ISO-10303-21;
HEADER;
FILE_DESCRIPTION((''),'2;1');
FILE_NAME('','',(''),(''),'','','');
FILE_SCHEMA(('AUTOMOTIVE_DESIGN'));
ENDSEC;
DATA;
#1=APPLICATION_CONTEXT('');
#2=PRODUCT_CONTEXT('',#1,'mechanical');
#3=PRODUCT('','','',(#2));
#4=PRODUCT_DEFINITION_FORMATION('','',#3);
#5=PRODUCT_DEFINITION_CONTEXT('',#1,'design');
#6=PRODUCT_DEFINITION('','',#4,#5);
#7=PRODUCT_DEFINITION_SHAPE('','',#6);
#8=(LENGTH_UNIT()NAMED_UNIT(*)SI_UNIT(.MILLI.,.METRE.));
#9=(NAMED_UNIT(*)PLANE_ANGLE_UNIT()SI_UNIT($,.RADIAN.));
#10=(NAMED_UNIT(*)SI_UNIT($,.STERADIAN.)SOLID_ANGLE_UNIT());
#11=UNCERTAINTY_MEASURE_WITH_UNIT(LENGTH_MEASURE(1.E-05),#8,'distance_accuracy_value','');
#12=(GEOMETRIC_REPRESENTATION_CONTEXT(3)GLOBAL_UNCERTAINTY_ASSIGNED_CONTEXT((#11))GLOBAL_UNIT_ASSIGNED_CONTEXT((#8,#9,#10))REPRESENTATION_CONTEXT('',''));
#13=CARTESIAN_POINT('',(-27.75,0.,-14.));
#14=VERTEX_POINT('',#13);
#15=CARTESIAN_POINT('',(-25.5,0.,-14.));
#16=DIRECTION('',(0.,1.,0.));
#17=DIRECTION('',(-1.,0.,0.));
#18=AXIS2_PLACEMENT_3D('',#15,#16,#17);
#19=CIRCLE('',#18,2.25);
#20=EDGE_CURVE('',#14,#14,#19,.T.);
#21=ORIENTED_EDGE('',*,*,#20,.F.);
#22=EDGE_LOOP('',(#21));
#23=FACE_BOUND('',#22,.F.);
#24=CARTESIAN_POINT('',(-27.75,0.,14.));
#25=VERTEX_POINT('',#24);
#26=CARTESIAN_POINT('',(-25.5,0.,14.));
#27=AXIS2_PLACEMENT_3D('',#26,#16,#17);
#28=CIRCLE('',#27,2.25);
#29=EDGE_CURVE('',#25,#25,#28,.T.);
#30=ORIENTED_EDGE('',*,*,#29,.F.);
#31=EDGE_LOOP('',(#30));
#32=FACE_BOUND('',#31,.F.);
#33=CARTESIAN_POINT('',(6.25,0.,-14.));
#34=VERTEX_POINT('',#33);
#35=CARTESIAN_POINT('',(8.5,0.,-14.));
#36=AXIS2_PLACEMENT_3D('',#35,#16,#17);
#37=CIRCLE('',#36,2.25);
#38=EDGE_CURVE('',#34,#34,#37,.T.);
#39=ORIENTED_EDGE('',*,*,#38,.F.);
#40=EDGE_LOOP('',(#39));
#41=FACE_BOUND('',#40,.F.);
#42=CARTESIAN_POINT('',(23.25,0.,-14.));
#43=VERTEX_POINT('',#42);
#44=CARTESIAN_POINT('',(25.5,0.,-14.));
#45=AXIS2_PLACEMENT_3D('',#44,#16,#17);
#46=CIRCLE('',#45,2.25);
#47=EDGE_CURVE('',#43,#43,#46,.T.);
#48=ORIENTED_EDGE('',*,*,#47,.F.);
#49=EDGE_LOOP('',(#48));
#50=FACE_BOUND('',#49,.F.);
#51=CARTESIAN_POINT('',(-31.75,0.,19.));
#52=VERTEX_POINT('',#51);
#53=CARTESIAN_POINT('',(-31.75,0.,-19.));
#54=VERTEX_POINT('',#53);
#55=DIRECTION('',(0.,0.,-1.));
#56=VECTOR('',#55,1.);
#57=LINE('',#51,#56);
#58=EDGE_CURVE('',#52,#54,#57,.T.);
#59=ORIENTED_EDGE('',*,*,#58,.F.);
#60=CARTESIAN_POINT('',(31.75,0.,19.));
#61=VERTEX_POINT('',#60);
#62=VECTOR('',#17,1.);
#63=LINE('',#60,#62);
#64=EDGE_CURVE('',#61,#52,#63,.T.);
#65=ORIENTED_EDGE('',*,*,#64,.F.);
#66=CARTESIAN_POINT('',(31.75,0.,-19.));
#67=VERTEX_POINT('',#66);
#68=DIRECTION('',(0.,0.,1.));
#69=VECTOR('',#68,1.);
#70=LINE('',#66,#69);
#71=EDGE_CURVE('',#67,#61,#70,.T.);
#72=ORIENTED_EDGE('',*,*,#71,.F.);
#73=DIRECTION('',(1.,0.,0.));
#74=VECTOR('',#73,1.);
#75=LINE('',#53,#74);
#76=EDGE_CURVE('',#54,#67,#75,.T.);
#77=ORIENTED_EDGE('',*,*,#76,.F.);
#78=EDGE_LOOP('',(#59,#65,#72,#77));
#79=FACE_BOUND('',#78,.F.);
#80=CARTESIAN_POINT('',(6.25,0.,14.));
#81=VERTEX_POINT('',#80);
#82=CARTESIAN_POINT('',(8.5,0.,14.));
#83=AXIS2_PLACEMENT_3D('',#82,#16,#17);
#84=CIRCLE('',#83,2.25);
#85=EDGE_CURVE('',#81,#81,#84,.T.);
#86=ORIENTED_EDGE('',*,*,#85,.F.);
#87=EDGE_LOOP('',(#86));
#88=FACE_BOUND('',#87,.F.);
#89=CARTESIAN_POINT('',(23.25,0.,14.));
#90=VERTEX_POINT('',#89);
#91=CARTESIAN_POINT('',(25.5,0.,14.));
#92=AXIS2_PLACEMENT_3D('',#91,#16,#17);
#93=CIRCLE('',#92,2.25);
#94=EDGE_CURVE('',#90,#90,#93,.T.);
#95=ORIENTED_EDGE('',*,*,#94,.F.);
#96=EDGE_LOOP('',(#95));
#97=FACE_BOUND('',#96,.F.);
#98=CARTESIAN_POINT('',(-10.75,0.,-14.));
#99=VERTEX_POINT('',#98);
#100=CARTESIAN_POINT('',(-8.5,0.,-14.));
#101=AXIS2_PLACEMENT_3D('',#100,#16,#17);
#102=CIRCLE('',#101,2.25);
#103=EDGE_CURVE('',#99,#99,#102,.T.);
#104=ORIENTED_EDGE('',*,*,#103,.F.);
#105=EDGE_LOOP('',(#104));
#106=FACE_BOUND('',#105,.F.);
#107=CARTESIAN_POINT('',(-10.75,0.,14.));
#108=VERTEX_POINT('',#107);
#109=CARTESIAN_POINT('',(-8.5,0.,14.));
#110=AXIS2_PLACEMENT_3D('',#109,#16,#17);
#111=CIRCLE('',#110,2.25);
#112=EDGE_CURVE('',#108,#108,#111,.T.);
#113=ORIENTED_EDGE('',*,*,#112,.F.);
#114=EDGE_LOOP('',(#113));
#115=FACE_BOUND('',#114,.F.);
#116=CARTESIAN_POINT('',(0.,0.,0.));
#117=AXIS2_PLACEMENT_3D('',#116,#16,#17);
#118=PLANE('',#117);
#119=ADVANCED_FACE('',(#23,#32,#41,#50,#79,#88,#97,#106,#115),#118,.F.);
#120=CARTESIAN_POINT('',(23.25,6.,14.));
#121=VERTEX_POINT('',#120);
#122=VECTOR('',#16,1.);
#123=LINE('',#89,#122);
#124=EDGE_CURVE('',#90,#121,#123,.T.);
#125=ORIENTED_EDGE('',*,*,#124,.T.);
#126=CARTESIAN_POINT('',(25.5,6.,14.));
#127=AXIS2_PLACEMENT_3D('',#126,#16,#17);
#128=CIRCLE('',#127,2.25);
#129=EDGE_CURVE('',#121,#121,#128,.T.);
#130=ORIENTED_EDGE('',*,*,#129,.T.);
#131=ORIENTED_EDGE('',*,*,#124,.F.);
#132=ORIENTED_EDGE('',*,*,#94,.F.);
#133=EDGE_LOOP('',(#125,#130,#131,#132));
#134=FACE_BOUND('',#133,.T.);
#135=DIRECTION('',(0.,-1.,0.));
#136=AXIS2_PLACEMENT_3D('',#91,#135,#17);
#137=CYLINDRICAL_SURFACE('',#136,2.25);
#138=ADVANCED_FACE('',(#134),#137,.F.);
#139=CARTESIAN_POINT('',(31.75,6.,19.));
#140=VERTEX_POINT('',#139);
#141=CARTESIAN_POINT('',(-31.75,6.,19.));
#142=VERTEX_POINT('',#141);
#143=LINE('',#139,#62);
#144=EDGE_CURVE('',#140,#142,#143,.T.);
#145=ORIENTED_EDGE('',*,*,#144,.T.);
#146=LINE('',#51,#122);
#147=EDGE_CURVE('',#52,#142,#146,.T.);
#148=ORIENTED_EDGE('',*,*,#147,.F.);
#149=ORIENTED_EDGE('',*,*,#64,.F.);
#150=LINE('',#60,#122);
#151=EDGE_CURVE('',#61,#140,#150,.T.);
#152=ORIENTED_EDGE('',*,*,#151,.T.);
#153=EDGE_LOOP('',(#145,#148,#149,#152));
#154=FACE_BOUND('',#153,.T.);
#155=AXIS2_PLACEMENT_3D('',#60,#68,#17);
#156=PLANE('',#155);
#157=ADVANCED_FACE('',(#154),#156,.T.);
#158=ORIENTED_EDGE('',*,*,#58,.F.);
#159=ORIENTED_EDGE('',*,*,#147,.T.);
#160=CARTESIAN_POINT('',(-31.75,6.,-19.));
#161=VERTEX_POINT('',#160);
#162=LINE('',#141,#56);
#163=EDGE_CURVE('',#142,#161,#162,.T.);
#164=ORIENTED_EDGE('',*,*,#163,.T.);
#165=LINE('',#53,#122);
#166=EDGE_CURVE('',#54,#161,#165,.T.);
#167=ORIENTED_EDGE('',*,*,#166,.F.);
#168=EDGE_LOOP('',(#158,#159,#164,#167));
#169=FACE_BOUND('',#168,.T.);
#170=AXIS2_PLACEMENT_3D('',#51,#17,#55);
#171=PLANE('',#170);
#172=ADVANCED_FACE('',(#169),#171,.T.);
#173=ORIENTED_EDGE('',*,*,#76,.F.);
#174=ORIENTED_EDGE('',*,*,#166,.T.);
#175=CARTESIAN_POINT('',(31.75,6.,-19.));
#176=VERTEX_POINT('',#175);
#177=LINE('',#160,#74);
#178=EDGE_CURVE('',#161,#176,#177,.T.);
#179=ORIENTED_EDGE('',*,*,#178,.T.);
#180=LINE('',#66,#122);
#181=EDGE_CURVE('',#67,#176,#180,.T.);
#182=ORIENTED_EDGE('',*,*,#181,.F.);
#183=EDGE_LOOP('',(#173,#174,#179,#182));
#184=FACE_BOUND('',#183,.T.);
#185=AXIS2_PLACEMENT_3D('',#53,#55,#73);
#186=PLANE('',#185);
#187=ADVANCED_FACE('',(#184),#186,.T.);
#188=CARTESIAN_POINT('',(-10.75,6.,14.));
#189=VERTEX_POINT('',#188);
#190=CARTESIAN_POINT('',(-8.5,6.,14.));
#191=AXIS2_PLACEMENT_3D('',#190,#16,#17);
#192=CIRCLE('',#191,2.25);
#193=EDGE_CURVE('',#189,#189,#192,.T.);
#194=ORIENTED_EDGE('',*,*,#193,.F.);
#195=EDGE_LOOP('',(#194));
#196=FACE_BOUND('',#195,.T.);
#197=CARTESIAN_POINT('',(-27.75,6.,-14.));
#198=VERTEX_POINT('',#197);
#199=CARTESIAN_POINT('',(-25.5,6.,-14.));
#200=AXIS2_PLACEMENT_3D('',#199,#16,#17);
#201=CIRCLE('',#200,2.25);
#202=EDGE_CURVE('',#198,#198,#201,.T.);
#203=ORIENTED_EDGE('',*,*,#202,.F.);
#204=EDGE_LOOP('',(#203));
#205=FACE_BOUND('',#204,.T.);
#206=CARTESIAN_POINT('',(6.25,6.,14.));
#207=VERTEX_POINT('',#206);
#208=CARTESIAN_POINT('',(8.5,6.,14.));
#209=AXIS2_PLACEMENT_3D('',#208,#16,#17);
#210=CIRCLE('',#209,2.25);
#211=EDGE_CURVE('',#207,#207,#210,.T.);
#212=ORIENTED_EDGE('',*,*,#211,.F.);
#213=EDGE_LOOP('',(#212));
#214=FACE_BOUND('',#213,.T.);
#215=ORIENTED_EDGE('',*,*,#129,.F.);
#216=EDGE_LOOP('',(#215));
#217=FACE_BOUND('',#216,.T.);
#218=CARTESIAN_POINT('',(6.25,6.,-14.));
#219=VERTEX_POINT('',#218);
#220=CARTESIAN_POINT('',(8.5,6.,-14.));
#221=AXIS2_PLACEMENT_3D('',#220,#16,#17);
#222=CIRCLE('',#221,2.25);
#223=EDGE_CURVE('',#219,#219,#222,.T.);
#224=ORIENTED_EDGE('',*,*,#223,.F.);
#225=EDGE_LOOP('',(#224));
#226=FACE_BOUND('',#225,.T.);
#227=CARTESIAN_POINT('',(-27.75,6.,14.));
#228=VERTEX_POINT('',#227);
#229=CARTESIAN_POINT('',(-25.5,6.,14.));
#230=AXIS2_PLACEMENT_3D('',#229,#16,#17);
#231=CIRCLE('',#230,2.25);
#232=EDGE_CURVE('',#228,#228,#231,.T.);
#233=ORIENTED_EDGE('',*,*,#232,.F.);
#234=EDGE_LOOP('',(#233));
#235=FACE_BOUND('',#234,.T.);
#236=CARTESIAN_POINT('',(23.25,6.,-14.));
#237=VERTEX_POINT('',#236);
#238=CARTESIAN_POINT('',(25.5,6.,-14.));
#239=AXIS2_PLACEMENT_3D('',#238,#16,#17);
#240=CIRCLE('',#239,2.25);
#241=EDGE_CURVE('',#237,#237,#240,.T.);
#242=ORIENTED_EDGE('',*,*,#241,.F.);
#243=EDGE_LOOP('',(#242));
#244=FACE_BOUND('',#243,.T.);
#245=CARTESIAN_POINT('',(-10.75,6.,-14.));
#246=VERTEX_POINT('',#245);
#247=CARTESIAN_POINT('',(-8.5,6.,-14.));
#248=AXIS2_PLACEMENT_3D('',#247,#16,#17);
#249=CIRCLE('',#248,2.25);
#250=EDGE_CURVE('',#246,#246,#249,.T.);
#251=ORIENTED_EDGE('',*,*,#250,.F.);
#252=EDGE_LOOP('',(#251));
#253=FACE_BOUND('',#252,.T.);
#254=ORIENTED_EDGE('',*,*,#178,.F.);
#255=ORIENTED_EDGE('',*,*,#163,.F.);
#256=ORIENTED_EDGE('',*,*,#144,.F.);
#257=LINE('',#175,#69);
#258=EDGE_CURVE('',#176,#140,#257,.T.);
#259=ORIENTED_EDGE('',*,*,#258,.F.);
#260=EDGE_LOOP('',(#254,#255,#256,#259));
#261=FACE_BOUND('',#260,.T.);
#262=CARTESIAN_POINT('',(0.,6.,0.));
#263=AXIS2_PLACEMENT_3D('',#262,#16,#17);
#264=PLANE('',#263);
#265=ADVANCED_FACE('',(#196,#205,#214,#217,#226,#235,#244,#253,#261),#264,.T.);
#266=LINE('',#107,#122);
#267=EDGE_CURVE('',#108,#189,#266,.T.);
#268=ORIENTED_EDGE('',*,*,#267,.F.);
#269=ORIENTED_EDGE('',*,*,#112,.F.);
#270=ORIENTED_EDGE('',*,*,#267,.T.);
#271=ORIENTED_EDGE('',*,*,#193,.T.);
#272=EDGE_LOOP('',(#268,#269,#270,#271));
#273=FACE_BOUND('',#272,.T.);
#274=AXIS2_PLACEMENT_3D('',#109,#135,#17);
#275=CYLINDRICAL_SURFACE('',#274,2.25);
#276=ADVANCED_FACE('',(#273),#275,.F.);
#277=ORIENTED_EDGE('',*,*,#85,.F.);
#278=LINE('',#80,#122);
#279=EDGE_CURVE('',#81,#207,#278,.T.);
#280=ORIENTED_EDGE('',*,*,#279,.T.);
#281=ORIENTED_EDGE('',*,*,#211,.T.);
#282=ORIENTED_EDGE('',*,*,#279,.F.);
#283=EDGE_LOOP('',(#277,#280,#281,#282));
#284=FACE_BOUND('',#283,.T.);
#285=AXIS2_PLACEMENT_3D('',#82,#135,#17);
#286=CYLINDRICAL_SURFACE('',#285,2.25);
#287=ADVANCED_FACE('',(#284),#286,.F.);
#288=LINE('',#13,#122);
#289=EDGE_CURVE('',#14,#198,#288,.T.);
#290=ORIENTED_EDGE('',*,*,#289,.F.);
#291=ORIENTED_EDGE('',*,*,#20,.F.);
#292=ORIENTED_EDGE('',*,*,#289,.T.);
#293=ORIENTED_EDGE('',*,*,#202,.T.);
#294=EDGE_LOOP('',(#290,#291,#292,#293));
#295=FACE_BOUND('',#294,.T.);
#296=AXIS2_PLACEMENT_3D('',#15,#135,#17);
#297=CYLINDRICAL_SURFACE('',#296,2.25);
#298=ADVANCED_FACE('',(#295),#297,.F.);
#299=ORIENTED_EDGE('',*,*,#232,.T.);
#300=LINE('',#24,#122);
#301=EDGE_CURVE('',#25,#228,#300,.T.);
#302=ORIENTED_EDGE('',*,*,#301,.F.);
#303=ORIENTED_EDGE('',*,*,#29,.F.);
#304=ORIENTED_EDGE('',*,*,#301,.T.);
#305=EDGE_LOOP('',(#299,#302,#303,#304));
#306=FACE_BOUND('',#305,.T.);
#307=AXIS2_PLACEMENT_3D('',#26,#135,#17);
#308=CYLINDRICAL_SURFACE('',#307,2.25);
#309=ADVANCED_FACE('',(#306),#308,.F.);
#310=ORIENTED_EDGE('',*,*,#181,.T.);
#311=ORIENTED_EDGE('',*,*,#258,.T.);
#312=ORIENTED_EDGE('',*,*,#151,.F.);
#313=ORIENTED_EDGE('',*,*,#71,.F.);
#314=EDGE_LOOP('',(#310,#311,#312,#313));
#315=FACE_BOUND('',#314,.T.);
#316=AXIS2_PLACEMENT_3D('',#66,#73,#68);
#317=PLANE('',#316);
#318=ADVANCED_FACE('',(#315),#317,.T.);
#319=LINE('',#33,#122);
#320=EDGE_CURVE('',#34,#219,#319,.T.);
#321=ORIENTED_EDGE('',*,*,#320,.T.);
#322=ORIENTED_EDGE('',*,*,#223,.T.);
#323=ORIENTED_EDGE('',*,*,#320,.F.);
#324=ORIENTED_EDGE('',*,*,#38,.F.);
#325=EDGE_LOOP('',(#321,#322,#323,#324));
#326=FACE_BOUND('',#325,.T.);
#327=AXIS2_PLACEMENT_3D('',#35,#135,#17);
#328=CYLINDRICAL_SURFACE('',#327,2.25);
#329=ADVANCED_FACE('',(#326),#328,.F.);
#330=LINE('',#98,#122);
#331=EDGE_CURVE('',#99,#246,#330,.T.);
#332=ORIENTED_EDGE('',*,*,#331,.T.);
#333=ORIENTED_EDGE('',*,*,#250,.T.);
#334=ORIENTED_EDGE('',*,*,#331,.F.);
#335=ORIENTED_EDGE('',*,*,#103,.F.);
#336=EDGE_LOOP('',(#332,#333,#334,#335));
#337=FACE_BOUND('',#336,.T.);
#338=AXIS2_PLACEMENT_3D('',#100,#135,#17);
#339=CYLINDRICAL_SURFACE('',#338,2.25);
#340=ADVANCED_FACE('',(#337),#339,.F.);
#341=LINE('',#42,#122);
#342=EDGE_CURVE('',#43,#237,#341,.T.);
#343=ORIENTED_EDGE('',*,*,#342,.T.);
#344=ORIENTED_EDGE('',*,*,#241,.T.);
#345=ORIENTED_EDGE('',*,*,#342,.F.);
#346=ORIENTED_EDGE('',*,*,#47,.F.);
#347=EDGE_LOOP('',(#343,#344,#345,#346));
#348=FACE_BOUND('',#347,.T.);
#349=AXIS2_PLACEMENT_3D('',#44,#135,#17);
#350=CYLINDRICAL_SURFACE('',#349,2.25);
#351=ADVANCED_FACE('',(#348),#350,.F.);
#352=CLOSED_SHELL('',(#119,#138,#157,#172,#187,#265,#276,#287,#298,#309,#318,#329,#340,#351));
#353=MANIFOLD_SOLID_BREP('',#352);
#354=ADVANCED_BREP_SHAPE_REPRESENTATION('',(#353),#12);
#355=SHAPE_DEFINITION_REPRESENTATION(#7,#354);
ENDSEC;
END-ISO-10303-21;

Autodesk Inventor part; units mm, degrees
ref_plane "YZ Plane" through (0, 0, 0) normal (1, 0, 0) x (0, 1, 0)
ref_plane "XZ Plane" through (0, 0, 0) normal (0, 1, 0) x (-1, 0, 0)
ref_plane "XY Plane" through (0, 0, 0) normal (0, 0, 1) x (1, 0, 0)
sketch "Sketch1" plane through (0, 0, 0) normal (0, 1, 0) x (-1, 0, 0)
  point P0 (0, 0)
sketch "Sketch2" plane through (0, 0, 0) normal (0, 1, 0) x (-1, 0, 0)
  line L0 (-31.75, 19) -> (31.75, 19)
  line L1 (31.75, 19) -> (31.75, -19)
  line L2 (31.75, -19) -> (-31.75, -19)
  line L3 (-31.75, -19) -> (-31.75, 19)
  line L4 (-31.75, 19) -> (31.75, -19) construction
  line L5 (31.75, 19) -> (-31.75, -19) construction
  line L6 (31.75, 19) -> (25.5, 19) construction
  line L7 (-31.75, 19) -> (-31.75, 14) construction
  line L8 (-31.75, 14) -> (31.75, 14) construction
  line L9 (25.5, 19) -> (8.5, 19) construction
  line L10 (8.5, 19) -> (8.5, 14) construction
  line L11 (8.5, 19) -> (-8.5, 19) construction
  line L12 (-8.5, 19) -> (-8.5, 14) construction
  line L13 (-8.5, 19) -> (-25.5, 19) construction
  line L14 (-25.5, 19) -> (-25.5, 14) construction
  line L15 (31.75, 19) -> (25.5, 19) construction
  line L16 (25.5, 19) -> (25.5, 14) construction
  circle A0 centre (25.5, 14) radius 2.25
  circle A1 centre (8.5, 14) radius 2.25
  circle A2 centre (-8.5, 14) radius 2.25
  circle A3 centre (-25.5, 14) radius 2.25
  line L17 (31.75, 0) -> (-31.75, 0) construction
  circle A4 centre (25.5, -14) radius 2.25
  circle A5 centre (8.5, -14) radius 2.25
  circle A6 centre (-8.5, -14) radius 2.25
  circle A7 centre (-25.5, -14) radius 2.25
  point P0 (0, 0)
  dimension "d3" = 5
  dimension "d7" = 4.5
  dimension "d8" = 4.5
  dimension "d9" = 4.5
extrude "Extrusion1" add sketch "Sketch2" along normal blind 6
properties part number "Coperchio"
